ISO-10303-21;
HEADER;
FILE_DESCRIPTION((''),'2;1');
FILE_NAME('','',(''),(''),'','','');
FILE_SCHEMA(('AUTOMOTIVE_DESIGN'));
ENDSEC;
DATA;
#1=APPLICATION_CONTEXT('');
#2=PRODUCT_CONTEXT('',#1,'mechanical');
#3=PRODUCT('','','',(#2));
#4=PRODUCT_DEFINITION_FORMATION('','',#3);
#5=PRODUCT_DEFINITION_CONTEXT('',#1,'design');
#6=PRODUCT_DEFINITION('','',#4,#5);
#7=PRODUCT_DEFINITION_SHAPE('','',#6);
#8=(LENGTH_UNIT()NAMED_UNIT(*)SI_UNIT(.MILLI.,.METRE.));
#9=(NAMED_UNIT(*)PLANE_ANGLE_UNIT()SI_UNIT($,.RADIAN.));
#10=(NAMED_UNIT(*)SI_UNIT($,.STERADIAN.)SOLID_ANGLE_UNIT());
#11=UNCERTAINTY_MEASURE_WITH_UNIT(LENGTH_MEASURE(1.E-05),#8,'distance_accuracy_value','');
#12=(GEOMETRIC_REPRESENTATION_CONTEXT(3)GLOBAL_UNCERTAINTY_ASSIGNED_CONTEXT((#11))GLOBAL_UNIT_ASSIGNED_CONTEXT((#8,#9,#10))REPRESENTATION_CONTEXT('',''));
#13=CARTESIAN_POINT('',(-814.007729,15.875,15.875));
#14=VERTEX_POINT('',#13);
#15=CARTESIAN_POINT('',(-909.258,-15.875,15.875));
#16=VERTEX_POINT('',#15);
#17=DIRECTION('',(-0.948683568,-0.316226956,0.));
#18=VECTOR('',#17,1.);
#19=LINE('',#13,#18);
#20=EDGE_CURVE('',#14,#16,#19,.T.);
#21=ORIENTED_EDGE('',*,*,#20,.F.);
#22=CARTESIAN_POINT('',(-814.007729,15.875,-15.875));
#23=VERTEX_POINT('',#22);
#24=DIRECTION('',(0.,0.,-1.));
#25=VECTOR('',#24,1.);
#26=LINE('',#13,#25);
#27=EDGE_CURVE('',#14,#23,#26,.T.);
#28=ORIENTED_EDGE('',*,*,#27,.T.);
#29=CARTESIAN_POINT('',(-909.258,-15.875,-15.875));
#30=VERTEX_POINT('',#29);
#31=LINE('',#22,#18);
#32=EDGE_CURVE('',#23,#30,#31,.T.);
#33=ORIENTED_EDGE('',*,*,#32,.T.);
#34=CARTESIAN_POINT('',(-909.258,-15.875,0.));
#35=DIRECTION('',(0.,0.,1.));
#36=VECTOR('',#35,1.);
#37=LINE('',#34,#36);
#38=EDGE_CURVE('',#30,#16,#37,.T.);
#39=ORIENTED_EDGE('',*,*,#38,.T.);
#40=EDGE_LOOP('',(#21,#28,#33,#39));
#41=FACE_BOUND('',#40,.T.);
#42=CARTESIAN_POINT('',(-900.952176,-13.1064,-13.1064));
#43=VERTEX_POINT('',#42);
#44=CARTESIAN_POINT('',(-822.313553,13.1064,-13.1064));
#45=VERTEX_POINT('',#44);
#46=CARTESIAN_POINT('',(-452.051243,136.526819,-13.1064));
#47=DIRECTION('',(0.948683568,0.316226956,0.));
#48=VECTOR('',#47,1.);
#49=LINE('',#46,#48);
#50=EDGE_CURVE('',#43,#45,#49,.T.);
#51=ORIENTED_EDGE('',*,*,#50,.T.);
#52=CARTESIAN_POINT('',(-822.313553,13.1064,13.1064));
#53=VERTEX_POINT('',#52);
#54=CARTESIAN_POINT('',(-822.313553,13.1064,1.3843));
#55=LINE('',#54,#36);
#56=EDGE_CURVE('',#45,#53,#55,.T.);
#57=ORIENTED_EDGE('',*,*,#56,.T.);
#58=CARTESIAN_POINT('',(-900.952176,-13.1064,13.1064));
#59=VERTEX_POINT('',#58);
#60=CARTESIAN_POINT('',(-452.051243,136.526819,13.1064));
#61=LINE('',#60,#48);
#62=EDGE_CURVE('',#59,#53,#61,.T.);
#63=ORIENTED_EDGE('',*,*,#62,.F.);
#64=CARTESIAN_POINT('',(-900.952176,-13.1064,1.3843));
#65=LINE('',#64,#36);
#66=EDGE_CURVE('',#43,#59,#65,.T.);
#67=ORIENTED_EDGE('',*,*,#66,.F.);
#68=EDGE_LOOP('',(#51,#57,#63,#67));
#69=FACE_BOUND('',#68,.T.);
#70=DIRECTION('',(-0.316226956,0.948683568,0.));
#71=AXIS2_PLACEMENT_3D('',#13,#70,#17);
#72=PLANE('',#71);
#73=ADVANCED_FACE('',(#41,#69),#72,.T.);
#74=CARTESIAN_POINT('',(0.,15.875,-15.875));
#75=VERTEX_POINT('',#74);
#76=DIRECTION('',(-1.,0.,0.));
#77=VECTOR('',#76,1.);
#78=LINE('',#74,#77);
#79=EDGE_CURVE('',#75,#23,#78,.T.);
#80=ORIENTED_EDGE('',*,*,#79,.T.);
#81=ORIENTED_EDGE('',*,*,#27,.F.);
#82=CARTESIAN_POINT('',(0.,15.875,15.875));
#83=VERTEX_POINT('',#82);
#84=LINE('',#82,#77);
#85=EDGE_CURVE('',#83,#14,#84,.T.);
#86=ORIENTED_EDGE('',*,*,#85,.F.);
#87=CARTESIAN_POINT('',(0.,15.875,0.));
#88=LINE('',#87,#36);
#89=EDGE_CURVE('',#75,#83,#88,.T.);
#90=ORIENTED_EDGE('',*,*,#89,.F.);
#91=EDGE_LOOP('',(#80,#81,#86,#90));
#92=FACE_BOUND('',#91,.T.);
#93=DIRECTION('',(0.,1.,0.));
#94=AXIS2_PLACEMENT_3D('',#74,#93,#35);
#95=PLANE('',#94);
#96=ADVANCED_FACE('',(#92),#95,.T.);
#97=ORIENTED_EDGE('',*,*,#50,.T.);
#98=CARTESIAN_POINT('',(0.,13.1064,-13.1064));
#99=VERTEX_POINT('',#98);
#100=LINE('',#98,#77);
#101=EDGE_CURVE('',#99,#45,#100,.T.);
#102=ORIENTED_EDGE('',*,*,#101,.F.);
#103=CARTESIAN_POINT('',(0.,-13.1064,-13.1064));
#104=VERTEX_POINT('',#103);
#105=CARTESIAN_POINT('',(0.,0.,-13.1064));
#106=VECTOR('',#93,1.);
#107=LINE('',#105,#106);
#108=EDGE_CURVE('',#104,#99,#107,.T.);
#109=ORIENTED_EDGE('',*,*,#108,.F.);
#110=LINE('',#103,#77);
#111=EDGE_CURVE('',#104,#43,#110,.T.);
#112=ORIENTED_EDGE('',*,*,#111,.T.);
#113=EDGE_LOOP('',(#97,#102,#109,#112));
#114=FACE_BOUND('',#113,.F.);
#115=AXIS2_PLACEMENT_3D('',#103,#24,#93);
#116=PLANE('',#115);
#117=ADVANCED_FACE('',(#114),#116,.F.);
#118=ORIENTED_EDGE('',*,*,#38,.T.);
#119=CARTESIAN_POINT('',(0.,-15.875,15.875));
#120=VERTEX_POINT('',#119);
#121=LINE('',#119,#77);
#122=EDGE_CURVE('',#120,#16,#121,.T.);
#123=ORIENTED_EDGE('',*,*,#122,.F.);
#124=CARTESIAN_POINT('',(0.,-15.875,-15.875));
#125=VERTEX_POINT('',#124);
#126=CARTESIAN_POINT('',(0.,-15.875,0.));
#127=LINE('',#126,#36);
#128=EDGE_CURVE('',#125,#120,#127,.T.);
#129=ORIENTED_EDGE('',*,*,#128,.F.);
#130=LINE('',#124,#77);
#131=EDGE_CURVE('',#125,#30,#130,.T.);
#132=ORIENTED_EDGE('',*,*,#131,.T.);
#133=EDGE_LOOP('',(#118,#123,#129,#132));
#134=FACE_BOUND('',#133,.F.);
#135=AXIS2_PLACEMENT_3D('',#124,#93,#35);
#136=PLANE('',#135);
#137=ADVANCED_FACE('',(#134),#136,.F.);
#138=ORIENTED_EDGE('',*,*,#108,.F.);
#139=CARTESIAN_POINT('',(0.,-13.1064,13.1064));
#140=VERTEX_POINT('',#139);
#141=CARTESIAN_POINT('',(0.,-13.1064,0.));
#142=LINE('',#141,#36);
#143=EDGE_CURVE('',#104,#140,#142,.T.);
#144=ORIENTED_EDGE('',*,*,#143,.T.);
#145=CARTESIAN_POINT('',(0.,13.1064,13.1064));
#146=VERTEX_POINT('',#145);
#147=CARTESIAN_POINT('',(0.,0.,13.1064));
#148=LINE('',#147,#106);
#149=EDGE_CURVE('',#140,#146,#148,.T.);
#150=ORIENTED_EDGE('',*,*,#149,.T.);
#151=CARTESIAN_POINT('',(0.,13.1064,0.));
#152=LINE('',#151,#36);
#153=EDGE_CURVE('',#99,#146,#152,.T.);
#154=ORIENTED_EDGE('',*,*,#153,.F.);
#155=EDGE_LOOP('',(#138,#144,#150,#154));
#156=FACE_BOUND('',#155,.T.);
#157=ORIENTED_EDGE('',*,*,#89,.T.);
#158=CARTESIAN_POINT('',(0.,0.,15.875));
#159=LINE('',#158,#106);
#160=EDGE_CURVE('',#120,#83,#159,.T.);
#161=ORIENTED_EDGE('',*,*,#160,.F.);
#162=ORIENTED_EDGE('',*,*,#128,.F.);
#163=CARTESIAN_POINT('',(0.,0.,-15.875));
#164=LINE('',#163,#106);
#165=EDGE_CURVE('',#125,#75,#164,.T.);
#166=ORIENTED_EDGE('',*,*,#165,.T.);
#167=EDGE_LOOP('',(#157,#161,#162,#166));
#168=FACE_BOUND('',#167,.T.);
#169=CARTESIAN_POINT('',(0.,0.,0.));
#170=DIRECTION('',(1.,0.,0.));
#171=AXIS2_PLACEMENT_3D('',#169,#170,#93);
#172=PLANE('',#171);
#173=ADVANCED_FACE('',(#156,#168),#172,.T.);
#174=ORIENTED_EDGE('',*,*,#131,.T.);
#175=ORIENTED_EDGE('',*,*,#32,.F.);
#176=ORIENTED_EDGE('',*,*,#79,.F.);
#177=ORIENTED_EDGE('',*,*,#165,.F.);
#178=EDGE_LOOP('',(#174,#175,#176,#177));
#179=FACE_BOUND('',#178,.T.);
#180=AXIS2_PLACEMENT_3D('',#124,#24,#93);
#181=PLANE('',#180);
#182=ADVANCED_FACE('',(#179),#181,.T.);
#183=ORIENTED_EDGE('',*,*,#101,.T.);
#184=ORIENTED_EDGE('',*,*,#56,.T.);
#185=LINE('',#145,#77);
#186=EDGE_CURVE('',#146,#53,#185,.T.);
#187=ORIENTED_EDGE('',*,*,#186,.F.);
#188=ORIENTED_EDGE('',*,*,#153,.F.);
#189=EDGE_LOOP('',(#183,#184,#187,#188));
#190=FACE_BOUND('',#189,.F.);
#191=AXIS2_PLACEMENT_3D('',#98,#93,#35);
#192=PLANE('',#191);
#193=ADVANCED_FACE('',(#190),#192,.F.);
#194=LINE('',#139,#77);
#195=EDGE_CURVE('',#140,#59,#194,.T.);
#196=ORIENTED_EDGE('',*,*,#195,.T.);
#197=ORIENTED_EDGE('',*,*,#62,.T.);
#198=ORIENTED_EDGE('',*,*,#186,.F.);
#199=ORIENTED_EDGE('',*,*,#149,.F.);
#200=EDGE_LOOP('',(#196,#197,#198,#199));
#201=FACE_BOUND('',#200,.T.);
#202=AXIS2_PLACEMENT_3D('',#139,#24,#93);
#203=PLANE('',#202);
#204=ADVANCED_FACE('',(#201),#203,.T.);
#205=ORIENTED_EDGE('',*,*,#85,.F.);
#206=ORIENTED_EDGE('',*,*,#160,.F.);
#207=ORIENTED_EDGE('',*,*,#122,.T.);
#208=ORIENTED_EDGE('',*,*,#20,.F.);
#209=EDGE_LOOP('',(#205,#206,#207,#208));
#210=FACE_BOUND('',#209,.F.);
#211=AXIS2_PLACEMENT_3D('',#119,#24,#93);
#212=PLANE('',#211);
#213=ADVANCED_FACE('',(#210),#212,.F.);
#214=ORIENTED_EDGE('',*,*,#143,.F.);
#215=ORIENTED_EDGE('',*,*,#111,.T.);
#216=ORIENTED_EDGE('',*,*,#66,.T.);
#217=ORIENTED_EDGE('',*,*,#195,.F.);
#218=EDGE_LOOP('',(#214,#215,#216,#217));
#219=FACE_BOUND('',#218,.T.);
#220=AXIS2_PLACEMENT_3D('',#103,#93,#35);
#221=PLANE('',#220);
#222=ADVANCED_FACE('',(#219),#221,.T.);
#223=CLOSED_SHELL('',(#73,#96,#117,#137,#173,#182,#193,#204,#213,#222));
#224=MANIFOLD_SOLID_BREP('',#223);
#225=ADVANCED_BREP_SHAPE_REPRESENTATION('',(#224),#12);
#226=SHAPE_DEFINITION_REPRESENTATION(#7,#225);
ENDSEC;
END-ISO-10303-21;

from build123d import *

# Parameters (mm, degrees)
SKETCH_W     = 31.75
SKETCH_H     = 31.75
SKETCH_W_2   = 26.2128
SKETCH_H_2   = 26.2128
PAD_DEPTH    = 909.258
POCKET_DEPTH = 31.75


with BuildPart() as part:
    # Sketch → Pad (new body)
    with BuildSketch(Plane.YZ):
        Rectangle(SKETCH_W, SKETCH_H)
        Rectangle(SKETCH_W_2, SKETCH_H_2, mode=Mode.SUBTRACT)
    extrude(amount=-PAD_DEPTH)

    # Sketch001 → Pocket (cut)
    with BuildSketch(Plane(origin=(0, 0, 15.875), x_dir=(0, -1, 0), z_dir=(0, 0, 1))):
        Polygon((15.875, -909.258), (-15.875, -909.258), (-15.875, -814.007729), align=None)
    extrude(amount=-POCKET_DEPTH, mode=Mode.SUBTRACT)


solid = part.part
